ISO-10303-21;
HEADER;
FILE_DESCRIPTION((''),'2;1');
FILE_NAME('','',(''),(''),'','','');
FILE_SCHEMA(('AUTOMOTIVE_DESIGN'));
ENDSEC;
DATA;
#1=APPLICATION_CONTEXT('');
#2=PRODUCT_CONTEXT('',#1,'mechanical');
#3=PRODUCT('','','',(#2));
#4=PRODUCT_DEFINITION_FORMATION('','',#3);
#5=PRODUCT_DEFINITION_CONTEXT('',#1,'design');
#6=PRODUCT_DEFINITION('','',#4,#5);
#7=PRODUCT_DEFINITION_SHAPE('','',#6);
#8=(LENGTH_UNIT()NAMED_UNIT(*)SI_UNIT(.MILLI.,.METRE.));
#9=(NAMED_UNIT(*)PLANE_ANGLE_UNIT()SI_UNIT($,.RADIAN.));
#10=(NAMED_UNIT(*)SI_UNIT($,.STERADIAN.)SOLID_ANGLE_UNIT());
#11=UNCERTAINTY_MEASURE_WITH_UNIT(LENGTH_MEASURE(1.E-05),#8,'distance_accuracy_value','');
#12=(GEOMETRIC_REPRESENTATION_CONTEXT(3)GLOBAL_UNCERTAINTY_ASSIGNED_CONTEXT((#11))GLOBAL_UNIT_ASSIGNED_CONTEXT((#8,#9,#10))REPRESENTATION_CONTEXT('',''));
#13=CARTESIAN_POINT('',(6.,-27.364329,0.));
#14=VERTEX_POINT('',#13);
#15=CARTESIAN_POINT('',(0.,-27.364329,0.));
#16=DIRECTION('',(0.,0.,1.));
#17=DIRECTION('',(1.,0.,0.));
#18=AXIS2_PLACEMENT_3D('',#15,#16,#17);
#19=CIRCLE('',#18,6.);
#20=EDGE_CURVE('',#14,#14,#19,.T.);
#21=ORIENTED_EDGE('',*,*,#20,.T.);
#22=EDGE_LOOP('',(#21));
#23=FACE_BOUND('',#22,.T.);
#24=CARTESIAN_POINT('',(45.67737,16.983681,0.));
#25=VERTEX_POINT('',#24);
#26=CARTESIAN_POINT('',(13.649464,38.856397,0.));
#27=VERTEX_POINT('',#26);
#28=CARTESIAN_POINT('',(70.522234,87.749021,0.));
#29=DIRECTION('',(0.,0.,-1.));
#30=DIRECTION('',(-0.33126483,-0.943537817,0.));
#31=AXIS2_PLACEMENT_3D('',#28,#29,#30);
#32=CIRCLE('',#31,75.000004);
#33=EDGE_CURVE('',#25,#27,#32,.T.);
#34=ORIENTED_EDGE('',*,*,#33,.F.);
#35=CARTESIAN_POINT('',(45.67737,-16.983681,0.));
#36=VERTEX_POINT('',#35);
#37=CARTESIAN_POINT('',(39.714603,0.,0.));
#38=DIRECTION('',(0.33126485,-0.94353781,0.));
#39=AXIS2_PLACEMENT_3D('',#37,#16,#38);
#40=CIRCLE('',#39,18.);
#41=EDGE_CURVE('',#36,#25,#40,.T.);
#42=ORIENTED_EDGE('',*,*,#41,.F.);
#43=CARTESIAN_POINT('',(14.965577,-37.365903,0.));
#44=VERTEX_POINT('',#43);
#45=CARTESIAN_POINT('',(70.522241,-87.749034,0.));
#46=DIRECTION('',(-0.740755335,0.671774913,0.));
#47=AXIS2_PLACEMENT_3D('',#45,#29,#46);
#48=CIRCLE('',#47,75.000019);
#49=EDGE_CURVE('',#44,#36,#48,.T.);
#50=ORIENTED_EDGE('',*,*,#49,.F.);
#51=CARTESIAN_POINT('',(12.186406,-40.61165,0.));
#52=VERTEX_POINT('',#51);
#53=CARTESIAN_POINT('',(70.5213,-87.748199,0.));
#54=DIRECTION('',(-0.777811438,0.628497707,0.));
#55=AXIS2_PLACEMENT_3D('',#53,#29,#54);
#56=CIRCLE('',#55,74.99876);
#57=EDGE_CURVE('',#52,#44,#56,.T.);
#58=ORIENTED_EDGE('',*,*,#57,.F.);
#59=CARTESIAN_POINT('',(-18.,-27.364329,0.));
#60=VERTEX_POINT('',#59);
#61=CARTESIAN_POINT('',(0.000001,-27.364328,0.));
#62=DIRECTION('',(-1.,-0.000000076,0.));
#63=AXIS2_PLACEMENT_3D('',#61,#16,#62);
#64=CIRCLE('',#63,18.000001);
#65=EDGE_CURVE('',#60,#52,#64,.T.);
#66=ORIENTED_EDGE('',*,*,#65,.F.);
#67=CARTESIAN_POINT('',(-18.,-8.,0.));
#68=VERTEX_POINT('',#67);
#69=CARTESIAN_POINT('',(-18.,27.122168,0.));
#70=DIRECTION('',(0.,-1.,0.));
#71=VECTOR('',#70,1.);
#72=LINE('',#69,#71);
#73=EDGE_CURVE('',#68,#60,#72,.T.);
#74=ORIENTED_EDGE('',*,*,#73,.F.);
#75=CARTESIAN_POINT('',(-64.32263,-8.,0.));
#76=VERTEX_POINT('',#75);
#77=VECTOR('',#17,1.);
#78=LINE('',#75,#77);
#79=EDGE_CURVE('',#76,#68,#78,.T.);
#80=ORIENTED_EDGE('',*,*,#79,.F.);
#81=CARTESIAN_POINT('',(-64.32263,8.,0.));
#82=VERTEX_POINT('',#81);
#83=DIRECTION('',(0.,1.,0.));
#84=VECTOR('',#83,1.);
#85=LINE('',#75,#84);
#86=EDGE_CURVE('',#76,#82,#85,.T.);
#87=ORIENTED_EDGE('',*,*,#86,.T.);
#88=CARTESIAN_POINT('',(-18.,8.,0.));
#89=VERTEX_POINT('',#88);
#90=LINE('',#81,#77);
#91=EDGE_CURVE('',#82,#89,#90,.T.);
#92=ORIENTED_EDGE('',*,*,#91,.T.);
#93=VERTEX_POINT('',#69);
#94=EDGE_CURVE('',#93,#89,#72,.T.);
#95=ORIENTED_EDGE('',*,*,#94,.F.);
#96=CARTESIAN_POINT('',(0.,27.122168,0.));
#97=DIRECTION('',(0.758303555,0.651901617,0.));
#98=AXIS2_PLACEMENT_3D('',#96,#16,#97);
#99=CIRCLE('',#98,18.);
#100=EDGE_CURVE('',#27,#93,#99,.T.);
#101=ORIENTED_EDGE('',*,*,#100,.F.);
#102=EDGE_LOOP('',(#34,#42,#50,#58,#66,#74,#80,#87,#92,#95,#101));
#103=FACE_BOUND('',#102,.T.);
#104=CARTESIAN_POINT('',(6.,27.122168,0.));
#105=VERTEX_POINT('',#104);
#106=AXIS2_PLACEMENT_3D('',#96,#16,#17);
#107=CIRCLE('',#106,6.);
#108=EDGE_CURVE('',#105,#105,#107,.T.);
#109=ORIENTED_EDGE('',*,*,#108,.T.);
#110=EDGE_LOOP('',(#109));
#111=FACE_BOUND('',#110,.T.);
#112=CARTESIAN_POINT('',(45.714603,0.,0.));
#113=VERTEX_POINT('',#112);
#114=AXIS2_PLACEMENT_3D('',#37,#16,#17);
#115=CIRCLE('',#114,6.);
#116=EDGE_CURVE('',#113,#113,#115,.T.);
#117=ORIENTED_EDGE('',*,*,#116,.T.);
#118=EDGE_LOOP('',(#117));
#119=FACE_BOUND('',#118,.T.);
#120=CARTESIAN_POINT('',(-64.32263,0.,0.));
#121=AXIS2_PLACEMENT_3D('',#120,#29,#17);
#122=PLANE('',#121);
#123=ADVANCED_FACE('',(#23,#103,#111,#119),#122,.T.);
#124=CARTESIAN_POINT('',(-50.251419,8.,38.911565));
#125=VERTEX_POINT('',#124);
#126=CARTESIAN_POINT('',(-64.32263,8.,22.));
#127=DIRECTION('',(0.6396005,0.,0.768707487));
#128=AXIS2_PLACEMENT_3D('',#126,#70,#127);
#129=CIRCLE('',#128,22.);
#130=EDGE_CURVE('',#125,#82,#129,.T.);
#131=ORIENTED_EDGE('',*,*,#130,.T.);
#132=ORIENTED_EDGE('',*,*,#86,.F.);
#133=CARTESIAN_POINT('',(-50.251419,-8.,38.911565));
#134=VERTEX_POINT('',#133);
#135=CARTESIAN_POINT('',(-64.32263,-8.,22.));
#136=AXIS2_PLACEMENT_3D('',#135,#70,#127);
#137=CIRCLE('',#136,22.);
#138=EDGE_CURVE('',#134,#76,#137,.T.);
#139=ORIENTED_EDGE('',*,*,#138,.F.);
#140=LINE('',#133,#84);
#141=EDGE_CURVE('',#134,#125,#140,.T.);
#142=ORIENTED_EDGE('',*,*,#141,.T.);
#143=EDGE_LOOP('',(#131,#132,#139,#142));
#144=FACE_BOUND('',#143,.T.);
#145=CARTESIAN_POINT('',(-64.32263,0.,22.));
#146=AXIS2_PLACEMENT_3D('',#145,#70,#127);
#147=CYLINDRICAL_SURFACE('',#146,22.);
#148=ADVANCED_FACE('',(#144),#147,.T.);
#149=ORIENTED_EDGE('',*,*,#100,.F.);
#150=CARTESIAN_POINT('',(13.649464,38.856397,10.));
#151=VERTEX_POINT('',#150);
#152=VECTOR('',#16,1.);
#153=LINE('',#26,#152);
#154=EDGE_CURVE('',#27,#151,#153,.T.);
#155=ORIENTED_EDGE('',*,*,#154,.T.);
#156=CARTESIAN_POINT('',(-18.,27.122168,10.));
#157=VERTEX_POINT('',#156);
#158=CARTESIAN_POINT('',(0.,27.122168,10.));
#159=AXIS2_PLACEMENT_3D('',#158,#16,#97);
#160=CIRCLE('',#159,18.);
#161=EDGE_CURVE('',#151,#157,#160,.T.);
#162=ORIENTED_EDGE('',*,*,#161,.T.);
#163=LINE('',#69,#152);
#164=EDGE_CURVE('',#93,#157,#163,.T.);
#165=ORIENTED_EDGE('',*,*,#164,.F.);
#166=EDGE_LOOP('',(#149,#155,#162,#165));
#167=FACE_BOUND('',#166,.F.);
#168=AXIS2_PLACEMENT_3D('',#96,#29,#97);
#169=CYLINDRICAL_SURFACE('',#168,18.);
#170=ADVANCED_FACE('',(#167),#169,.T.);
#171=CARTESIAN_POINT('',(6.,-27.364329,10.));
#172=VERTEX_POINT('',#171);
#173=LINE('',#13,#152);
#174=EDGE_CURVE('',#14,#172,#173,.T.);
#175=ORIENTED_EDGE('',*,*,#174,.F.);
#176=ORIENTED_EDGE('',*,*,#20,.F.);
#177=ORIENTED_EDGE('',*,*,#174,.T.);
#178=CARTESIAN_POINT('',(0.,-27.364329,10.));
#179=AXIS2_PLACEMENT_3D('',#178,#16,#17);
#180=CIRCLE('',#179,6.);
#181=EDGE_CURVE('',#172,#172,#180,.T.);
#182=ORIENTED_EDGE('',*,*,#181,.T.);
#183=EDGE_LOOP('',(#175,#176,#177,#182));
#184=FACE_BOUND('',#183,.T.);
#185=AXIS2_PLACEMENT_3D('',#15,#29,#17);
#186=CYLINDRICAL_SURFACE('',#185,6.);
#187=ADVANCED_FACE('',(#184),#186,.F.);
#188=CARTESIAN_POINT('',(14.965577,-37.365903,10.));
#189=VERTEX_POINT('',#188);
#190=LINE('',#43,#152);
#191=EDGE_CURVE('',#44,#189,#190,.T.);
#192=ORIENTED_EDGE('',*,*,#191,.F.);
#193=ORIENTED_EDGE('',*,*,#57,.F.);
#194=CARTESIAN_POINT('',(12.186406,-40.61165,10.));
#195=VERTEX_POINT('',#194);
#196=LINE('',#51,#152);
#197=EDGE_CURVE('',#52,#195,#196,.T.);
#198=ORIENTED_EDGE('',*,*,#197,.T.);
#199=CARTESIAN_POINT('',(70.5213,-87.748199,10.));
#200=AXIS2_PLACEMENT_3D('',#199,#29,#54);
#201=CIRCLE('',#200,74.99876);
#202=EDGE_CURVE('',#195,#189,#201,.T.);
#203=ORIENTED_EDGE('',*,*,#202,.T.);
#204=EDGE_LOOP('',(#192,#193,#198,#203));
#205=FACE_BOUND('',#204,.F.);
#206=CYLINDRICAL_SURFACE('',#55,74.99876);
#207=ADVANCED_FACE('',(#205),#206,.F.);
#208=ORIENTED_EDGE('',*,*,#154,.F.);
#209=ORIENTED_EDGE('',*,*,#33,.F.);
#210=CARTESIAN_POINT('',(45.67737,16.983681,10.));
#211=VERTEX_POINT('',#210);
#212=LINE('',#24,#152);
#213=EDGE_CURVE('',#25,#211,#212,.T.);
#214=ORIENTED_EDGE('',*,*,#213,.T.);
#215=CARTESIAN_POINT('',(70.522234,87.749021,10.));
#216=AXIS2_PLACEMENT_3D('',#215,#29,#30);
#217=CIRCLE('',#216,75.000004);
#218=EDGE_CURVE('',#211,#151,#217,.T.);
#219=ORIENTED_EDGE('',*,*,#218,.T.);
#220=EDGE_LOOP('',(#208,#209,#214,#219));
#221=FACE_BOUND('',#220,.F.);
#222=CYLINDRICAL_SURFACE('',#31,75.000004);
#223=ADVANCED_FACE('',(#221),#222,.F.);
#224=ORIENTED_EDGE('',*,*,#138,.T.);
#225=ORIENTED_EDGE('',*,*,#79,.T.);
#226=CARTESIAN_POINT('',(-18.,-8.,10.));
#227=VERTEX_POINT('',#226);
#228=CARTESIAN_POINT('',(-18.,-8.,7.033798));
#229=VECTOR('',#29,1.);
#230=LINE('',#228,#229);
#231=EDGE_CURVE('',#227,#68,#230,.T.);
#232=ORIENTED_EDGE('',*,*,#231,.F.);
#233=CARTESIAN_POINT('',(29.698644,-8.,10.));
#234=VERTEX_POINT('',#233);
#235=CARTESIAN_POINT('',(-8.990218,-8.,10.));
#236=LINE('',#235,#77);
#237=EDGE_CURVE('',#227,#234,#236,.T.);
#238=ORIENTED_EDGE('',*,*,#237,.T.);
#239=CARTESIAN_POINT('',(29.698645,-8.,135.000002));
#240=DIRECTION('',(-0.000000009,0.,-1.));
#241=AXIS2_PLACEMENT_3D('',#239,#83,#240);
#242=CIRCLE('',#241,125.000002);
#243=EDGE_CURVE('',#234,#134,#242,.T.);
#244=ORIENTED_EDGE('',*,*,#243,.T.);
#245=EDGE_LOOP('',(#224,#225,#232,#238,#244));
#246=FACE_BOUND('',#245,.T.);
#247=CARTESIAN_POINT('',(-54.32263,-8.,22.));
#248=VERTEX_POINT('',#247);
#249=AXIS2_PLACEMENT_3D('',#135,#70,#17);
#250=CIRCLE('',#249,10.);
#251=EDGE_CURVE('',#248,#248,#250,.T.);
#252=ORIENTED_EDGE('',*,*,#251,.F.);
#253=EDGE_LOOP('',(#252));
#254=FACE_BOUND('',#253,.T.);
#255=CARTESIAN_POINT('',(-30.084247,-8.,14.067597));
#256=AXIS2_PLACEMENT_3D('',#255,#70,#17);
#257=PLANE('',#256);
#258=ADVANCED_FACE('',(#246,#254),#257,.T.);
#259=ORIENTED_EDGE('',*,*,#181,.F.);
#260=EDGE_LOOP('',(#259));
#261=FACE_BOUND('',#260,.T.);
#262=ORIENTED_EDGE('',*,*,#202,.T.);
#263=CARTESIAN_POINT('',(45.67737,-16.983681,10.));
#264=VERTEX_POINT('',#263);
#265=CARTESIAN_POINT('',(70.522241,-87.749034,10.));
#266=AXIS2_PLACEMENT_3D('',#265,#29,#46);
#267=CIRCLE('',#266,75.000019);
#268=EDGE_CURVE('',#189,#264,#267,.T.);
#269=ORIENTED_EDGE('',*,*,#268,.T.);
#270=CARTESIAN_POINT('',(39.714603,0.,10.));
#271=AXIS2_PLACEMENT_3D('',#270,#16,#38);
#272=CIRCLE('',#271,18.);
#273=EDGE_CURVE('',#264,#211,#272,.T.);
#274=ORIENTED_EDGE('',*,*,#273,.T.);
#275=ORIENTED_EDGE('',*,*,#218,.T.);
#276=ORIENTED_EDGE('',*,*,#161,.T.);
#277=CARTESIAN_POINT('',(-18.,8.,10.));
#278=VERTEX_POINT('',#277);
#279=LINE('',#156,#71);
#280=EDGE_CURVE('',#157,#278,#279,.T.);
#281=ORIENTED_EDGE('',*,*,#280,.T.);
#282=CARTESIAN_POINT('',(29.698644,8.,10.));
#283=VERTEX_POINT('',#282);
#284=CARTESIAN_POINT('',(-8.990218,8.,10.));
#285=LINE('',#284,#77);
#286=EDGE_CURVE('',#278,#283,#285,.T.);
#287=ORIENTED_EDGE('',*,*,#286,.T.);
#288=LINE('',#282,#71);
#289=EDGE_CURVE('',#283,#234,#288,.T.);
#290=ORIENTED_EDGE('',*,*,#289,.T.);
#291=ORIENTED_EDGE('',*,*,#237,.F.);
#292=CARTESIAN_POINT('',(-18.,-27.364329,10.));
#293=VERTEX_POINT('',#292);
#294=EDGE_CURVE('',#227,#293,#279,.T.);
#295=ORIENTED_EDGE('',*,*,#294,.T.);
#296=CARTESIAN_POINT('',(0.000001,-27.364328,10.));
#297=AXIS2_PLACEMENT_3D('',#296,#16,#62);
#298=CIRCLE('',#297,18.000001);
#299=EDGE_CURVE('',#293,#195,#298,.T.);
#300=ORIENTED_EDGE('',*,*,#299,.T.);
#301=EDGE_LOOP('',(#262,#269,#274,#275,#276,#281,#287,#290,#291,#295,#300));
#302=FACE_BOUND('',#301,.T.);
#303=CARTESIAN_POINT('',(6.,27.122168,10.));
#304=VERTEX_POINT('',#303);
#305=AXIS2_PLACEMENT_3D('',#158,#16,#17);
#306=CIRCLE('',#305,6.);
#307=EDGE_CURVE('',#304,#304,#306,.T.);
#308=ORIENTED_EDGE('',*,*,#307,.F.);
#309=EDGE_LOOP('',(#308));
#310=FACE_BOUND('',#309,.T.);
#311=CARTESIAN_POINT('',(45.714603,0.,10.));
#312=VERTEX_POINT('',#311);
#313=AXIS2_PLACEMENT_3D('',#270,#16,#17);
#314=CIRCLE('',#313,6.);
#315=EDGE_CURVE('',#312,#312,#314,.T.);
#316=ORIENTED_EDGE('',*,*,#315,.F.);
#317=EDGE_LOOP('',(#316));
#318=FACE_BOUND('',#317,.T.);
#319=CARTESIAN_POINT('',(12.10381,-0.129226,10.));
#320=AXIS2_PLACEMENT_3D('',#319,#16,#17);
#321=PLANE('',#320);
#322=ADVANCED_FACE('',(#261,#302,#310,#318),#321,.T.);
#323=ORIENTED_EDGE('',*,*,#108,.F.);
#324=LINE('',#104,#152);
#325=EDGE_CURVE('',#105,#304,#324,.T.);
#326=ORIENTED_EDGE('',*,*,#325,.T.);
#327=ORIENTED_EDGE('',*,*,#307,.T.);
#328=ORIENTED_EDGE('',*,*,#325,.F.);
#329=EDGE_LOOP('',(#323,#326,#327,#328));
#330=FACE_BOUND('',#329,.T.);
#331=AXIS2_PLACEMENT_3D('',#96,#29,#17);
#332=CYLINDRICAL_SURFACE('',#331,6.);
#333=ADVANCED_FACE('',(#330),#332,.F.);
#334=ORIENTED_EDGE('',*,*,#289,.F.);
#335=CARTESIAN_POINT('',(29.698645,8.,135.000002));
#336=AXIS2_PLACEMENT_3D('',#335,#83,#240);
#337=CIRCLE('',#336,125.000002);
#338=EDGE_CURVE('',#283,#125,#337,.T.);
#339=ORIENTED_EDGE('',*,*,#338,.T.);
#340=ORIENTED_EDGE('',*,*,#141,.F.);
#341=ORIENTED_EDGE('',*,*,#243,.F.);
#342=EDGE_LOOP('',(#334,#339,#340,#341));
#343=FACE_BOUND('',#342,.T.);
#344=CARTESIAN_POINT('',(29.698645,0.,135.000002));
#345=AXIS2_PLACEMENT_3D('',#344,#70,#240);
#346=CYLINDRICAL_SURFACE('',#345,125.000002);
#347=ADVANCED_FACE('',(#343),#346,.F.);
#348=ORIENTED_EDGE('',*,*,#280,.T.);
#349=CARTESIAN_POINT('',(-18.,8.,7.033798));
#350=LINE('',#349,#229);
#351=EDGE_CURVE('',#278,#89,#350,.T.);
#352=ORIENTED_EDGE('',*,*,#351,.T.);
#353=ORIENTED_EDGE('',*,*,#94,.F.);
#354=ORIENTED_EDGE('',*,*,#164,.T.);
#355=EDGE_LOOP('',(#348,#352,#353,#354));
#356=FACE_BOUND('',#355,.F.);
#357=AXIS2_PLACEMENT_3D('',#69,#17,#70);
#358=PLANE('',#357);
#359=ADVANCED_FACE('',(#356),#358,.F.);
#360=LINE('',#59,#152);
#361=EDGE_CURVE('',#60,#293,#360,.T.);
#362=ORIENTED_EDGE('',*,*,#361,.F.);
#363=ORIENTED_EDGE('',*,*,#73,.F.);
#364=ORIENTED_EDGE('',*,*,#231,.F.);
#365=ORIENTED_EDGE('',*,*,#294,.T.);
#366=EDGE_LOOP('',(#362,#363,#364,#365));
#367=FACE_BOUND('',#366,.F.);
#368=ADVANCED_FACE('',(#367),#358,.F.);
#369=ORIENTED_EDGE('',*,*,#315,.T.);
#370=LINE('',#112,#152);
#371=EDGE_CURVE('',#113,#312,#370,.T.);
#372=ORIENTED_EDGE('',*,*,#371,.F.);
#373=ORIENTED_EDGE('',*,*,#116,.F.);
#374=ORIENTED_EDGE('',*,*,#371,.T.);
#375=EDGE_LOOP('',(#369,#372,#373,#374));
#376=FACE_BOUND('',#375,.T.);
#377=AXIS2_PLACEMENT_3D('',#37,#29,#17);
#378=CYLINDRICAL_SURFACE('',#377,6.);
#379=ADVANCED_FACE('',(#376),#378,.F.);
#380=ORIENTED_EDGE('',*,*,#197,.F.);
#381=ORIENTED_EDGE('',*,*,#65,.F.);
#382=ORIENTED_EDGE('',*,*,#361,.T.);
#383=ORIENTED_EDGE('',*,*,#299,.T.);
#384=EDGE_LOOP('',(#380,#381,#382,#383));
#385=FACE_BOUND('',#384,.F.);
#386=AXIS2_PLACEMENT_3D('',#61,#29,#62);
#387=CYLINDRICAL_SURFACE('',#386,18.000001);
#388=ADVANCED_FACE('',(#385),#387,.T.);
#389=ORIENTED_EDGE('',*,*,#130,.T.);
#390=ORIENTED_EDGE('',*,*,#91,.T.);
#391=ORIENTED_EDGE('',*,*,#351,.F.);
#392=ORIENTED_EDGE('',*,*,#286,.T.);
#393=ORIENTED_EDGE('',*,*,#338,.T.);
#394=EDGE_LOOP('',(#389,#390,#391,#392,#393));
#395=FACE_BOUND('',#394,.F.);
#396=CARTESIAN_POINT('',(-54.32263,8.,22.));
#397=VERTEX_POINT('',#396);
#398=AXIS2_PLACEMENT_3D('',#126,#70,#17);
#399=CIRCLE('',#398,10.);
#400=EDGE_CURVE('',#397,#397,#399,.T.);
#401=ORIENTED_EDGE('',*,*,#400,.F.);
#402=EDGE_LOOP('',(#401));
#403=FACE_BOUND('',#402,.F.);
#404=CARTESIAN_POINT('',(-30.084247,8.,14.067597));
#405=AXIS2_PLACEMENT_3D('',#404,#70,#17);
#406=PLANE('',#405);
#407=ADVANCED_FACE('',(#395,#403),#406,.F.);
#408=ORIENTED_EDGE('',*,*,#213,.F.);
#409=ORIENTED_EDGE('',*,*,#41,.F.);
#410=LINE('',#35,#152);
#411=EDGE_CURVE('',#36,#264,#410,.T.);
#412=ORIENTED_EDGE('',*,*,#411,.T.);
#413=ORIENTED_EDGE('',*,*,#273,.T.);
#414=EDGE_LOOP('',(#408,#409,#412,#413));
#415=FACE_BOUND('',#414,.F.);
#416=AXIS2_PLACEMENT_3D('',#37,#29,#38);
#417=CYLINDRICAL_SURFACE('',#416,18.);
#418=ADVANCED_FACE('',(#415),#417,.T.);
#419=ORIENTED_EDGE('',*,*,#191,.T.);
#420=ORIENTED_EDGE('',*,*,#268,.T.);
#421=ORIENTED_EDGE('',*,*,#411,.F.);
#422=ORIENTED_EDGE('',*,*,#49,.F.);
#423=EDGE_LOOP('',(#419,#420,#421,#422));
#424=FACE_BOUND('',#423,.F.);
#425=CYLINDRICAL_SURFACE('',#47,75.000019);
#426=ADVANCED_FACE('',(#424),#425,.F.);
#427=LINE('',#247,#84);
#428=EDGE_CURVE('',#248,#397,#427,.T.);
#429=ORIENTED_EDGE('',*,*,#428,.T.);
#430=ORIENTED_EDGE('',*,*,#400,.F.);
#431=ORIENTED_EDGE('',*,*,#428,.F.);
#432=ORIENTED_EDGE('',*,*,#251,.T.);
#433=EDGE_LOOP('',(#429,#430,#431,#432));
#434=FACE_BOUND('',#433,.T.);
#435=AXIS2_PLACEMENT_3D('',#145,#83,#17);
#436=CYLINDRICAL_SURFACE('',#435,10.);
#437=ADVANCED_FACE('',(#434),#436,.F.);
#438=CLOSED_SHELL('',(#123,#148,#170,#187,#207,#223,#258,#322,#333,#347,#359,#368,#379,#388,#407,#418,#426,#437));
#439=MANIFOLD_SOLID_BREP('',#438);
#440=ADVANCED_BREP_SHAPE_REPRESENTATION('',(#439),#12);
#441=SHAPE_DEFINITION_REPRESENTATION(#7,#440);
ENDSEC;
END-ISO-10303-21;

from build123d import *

# Parameters (mm, degrees)
F0_R     = 6
F1_DEPTH = 10
F2_R     = 10
F3_DEPTH = 8


with BuildPart() as f1:
    # F0 (on Top) → F1 (new body)
    with BuildSketch(Plane.XY):
        with BuildLine():
            ThreePointArc((45.67737, 16.983681), (28.225108, 25.813944), (13.649464, 38.856397))
            ThreePointArc((13.649464, 38.856397), (-6.257381, 43.999525), (-18, 27.122168))
            Line((-18, 27.122168), (-18, -27.364329))
            ThreePointArc((-18, -27.364329), (-7.233419, -43.846975), (12.186406, -40.61165))
            ThreePointArc((12.186406, -40.61165), (13.552871, -38.96898), (14.965577, -37.365903))
            ThreePointArc((14.965577, -37.365903), (29.049835, -25.258696), (45.67737, -16.983681))
            ThreePointArc((45.67737, -16.983681), (57.714603, 0), (45.67737, 16.983681))
        make_face()
        with Locations((0, -27.364329)):
            Circle(F0_R, mode=Mode.SUBTRACT)
        with Locations((0, 27.122168)):
            Circle(F0_R, mode=Mode.SUBTRACT)
        with Locations((39.714603, 0)):
            Circle(F0_R, mode=Mode.SUBTRACT)
    extrude(amount=F1_DEPTH)

    # F2 (on Front) → F3 (join, symmetric)
    with BuildSketch(Plane.XZ):
        with BuildLine():
            Line((-64.32263, 0), (0, 0))
            Line((0, 0), (29.698644, 0))
            Line((29.698644, 0), (29.698644, 10))
            ThreePointArc((29.698644, 10), (-12.809858, 17.449895), (-50.251419, 38.911565))
            ThreePointArc((-50.251419, 38.911565), (-85.011449, 29.481496), (-64.32263, 0))
        make_face()
        with Locations((-64.32263, 22)):
            Circle(F2_R, mode=Mode.SUBTRACT)
    extrude(amount=F3_DEPTH, both=True)


solid = f1.part
